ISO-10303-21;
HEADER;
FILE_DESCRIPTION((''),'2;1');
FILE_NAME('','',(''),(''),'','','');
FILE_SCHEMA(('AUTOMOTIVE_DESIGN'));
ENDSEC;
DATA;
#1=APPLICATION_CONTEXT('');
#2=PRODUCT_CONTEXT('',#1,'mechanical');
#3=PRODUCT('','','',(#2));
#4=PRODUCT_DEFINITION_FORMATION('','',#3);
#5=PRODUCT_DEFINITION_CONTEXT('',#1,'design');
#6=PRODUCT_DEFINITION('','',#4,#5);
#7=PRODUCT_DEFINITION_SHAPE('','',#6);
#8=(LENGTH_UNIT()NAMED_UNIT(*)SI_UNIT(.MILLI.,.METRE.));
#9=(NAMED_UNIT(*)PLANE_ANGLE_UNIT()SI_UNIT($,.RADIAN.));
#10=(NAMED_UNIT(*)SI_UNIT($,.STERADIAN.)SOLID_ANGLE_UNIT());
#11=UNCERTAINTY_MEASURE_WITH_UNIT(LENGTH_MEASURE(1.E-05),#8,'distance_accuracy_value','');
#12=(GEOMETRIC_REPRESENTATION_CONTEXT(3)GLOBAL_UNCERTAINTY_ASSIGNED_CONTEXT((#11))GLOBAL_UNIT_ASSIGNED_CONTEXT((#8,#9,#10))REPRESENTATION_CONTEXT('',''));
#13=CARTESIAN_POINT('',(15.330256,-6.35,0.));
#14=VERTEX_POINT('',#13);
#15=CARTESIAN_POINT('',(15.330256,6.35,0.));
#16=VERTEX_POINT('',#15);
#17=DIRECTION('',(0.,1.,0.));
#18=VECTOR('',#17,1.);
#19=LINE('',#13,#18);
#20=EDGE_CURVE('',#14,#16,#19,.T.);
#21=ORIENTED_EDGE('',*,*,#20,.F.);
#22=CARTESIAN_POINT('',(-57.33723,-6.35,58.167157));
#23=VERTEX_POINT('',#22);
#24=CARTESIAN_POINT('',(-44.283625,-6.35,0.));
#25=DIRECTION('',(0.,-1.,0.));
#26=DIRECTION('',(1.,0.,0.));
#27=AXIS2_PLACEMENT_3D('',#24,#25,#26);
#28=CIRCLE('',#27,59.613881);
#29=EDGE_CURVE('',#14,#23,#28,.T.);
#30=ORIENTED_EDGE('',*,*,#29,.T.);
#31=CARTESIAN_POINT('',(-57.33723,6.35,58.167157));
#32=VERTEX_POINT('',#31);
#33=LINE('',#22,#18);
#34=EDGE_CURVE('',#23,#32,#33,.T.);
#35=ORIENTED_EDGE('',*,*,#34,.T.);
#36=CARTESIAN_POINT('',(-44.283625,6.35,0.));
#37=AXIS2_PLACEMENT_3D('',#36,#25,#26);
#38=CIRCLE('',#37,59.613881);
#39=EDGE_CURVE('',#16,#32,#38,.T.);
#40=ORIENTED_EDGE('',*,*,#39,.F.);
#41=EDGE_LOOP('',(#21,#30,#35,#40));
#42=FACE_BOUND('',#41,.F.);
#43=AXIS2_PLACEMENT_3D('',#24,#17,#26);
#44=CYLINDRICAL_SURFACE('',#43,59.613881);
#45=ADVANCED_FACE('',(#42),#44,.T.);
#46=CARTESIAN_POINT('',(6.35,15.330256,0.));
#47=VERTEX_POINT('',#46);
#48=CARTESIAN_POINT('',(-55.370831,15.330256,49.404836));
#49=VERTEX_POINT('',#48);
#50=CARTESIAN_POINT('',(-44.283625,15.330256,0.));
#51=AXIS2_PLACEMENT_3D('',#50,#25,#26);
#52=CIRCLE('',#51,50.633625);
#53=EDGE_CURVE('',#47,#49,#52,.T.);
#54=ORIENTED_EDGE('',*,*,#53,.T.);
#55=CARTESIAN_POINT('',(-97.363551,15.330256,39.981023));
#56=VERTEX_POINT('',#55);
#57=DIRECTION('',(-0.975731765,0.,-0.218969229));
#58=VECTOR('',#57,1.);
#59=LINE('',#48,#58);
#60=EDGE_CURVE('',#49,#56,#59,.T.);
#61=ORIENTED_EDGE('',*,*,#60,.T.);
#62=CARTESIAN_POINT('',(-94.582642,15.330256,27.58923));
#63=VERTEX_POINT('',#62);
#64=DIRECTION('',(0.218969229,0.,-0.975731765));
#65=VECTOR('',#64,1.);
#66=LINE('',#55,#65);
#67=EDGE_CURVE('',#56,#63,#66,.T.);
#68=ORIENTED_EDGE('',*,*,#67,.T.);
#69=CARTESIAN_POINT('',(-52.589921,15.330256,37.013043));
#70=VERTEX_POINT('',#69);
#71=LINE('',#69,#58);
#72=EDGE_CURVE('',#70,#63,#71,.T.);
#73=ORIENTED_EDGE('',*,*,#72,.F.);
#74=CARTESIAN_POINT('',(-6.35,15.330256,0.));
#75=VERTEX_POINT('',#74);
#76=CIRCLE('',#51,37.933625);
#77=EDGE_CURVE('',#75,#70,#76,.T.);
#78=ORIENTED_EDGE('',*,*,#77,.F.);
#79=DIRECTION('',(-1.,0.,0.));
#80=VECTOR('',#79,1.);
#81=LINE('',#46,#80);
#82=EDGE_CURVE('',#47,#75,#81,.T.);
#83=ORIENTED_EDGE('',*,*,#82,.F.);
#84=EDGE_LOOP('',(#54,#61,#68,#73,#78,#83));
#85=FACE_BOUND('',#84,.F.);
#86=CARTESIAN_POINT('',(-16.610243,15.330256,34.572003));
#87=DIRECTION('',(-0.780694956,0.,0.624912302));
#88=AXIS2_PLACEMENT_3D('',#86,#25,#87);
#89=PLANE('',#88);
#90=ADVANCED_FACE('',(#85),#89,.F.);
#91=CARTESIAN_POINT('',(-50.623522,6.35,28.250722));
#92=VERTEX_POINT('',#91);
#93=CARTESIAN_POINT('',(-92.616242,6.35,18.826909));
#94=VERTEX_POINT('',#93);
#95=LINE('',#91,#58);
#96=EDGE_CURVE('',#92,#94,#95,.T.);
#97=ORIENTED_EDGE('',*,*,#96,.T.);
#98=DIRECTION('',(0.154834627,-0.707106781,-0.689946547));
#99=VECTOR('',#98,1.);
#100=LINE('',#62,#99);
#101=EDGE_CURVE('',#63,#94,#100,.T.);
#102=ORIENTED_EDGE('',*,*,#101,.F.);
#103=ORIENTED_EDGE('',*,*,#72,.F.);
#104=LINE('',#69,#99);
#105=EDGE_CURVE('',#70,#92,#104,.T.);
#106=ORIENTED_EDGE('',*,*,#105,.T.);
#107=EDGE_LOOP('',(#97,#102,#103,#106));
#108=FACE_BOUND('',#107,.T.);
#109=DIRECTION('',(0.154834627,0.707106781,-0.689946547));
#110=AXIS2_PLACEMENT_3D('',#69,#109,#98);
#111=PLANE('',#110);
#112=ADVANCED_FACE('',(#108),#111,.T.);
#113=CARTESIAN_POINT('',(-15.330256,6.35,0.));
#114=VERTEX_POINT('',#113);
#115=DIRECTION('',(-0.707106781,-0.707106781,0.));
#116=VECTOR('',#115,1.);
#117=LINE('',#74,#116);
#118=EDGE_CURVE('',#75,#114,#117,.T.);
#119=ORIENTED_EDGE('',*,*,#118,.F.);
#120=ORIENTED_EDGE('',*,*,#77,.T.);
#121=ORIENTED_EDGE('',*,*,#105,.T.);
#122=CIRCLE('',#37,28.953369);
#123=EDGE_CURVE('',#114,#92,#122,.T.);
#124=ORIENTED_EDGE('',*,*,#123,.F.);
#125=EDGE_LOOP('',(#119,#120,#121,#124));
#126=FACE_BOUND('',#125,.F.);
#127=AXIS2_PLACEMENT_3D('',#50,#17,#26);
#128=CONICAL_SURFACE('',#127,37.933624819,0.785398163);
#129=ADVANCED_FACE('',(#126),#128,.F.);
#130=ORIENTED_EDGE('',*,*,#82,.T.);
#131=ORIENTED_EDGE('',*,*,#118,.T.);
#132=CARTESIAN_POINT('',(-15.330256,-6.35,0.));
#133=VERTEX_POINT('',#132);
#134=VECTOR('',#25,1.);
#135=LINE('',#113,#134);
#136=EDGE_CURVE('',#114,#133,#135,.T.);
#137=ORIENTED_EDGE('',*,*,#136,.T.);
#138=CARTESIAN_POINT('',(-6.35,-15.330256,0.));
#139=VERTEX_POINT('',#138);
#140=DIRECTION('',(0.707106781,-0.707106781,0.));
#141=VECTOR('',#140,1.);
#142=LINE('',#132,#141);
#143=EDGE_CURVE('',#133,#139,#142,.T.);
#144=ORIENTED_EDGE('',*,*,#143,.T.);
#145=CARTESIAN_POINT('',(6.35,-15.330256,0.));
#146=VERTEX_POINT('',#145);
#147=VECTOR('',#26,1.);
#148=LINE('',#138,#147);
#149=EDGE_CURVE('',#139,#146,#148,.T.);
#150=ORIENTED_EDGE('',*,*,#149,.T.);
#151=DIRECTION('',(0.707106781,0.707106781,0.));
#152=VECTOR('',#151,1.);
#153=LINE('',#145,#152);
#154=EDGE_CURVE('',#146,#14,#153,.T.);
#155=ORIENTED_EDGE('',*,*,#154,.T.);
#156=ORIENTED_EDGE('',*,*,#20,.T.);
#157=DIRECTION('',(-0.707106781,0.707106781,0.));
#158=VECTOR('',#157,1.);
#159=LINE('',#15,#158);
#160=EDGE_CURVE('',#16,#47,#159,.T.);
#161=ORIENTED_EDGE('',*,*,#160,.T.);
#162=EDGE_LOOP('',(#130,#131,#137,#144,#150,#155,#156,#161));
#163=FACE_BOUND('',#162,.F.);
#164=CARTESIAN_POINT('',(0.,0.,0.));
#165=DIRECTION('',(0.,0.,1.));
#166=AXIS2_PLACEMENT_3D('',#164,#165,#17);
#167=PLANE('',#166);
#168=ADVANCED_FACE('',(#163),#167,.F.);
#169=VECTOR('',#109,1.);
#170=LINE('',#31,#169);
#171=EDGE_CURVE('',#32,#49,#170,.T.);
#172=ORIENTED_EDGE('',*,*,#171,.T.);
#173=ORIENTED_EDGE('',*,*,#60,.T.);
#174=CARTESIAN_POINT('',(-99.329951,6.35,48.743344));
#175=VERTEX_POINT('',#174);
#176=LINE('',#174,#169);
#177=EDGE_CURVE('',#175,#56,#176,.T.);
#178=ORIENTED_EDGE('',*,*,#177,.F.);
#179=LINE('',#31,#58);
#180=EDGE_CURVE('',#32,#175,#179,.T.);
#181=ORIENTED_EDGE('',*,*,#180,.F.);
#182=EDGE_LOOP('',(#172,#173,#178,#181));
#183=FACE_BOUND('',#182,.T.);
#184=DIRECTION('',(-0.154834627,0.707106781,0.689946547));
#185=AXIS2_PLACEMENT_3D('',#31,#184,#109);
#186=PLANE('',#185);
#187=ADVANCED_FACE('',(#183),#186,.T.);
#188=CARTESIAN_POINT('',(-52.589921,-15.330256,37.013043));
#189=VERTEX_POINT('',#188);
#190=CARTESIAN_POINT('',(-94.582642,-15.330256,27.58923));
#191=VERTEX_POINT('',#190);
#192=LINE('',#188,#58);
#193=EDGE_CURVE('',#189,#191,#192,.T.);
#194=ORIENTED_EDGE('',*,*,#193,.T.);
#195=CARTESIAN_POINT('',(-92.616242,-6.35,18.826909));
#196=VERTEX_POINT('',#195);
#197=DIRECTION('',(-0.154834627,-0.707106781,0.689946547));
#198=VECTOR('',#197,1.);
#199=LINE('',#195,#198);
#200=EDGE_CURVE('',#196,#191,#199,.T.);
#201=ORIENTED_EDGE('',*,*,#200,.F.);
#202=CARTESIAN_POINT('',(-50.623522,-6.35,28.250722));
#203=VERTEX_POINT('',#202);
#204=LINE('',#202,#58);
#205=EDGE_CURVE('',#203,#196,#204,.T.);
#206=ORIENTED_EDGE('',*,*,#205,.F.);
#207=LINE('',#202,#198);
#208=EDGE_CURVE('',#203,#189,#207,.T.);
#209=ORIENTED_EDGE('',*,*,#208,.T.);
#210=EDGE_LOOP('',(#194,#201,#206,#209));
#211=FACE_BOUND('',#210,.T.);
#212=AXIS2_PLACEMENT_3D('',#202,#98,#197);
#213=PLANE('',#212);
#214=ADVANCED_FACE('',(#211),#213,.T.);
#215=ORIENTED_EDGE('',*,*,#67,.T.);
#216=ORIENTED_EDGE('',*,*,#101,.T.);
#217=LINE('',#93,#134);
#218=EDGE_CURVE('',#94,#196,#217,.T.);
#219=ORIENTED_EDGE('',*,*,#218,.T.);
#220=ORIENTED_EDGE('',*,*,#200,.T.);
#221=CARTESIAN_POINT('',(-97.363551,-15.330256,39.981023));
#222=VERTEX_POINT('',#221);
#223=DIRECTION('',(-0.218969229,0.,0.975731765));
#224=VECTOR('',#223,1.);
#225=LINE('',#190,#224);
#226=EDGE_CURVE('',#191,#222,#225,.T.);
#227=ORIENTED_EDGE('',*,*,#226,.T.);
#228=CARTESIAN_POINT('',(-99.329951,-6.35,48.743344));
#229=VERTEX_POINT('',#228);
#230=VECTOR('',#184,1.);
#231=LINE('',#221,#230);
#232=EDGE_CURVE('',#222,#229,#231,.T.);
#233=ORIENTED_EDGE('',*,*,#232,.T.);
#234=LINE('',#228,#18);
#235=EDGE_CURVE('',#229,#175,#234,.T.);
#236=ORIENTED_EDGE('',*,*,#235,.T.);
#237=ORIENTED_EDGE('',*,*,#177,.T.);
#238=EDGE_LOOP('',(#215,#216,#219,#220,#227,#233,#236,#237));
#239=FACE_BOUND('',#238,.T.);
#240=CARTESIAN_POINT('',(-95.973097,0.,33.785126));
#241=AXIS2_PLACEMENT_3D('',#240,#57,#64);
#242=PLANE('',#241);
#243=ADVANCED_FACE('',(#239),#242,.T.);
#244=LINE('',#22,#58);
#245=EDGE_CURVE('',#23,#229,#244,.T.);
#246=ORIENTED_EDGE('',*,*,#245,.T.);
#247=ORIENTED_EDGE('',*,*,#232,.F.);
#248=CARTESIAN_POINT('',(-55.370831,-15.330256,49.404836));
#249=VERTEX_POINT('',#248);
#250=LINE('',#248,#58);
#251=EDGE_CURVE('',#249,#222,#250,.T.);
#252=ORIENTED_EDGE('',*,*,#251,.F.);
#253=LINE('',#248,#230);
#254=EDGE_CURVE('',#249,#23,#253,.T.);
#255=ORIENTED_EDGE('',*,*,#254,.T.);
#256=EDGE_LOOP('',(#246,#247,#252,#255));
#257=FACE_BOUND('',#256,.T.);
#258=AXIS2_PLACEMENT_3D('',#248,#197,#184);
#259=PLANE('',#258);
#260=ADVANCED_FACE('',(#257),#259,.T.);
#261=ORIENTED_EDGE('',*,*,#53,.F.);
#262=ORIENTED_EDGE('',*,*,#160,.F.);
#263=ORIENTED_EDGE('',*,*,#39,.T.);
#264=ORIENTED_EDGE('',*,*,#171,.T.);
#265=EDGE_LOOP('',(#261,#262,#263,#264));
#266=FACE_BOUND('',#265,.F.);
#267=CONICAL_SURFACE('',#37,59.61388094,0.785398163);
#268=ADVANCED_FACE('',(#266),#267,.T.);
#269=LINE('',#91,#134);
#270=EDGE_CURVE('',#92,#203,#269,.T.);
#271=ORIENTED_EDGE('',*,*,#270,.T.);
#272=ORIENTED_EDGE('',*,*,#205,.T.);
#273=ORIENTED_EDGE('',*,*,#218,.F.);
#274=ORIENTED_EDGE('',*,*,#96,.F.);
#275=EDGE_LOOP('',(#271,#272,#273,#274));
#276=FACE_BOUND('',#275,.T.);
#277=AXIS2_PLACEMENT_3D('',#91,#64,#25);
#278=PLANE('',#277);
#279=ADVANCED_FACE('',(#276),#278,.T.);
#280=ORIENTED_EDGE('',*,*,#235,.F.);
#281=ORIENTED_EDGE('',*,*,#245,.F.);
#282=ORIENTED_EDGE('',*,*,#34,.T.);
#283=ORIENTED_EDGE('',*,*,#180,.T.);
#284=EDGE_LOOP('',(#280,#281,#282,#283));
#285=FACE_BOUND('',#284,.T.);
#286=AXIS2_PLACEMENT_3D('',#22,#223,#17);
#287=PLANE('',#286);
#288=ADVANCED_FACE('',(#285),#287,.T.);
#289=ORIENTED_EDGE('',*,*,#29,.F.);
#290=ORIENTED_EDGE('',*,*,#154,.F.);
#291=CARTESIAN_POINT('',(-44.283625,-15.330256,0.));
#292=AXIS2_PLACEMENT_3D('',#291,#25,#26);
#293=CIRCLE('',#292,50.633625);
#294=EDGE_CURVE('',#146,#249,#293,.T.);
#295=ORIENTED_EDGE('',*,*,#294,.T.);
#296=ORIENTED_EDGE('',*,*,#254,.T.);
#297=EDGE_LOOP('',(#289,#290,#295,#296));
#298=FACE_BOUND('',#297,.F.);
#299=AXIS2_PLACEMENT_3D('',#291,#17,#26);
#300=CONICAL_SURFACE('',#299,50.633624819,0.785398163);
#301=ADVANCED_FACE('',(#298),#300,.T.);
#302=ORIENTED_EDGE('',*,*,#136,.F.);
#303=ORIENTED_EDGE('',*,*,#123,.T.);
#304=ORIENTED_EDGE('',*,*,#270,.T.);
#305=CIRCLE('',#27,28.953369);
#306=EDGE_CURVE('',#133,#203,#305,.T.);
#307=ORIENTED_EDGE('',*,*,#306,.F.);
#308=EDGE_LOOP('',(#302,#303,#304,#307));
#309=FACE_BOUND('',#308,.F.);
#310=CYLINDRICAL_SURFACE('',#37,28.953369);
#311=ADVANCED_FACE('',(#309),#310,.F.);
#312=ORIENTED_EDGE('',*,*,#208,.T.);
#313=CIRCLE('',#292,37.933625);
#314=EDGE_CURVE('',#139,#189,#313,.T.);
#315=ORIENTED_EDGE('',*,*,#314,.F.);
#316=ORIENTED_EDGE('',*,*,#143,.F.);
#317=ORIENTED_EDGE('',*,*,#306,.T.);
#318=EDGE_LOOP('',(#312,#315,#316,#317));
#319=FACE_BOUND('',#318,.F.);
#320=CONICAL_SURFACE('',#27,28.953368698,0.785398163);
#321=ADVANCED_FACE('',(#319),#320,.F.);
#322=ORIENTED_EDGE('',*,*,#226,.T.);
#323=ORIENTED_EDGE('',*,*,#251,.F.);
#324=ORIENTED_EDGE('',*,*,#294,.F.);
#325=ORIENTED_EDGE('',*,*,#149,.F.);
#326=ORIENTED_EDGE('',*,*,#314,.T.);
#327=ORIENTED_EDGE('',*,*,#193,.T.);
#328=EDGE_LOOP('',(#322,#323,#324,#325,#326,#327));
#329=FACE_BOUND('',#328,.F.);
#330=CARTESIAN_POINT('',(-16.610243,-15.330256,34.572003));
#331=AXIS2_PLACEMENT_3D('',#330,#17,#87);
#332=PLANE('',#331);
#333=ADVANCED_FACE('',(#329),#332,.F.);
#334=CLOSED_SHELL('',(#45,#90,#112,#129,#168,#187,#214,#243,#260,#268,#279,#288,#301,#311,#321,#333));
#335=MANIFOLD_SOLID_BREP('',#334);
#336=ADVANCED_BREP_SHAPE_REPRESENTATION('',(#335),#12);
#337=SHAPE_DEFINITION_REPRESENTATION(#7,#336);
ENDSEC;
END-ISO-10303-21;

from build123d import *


with BuildPart() as f2:
    # F2: sweep along a path in F1
    with BuildLine(Plane.XZ) as f2_path:
        ThreePointArc((0, 0), (-16.6102428879, 34.5720025398), (-53.980376019, 43.2089393909))
        Line((-53.980376019, 43.2089393909), (-95.9730965218, 33.7851264332))
    # F0 (on Top) → F2 (sweep)
    with BuildSketch(Plane.XY):
        Polygon((6.35, 15.3302561211), (-6.35, 15.3302561211), (-15.3302561211, 6.35), (-15.3302561211, -6.35), (-6.35, -15.3302561211), (6.35, -15.3302561211), (15.3302561211, -6.35), (15.3302561211, 6.35), align=None)
    sweep(path=f2_path.line)


solid = f2.part
